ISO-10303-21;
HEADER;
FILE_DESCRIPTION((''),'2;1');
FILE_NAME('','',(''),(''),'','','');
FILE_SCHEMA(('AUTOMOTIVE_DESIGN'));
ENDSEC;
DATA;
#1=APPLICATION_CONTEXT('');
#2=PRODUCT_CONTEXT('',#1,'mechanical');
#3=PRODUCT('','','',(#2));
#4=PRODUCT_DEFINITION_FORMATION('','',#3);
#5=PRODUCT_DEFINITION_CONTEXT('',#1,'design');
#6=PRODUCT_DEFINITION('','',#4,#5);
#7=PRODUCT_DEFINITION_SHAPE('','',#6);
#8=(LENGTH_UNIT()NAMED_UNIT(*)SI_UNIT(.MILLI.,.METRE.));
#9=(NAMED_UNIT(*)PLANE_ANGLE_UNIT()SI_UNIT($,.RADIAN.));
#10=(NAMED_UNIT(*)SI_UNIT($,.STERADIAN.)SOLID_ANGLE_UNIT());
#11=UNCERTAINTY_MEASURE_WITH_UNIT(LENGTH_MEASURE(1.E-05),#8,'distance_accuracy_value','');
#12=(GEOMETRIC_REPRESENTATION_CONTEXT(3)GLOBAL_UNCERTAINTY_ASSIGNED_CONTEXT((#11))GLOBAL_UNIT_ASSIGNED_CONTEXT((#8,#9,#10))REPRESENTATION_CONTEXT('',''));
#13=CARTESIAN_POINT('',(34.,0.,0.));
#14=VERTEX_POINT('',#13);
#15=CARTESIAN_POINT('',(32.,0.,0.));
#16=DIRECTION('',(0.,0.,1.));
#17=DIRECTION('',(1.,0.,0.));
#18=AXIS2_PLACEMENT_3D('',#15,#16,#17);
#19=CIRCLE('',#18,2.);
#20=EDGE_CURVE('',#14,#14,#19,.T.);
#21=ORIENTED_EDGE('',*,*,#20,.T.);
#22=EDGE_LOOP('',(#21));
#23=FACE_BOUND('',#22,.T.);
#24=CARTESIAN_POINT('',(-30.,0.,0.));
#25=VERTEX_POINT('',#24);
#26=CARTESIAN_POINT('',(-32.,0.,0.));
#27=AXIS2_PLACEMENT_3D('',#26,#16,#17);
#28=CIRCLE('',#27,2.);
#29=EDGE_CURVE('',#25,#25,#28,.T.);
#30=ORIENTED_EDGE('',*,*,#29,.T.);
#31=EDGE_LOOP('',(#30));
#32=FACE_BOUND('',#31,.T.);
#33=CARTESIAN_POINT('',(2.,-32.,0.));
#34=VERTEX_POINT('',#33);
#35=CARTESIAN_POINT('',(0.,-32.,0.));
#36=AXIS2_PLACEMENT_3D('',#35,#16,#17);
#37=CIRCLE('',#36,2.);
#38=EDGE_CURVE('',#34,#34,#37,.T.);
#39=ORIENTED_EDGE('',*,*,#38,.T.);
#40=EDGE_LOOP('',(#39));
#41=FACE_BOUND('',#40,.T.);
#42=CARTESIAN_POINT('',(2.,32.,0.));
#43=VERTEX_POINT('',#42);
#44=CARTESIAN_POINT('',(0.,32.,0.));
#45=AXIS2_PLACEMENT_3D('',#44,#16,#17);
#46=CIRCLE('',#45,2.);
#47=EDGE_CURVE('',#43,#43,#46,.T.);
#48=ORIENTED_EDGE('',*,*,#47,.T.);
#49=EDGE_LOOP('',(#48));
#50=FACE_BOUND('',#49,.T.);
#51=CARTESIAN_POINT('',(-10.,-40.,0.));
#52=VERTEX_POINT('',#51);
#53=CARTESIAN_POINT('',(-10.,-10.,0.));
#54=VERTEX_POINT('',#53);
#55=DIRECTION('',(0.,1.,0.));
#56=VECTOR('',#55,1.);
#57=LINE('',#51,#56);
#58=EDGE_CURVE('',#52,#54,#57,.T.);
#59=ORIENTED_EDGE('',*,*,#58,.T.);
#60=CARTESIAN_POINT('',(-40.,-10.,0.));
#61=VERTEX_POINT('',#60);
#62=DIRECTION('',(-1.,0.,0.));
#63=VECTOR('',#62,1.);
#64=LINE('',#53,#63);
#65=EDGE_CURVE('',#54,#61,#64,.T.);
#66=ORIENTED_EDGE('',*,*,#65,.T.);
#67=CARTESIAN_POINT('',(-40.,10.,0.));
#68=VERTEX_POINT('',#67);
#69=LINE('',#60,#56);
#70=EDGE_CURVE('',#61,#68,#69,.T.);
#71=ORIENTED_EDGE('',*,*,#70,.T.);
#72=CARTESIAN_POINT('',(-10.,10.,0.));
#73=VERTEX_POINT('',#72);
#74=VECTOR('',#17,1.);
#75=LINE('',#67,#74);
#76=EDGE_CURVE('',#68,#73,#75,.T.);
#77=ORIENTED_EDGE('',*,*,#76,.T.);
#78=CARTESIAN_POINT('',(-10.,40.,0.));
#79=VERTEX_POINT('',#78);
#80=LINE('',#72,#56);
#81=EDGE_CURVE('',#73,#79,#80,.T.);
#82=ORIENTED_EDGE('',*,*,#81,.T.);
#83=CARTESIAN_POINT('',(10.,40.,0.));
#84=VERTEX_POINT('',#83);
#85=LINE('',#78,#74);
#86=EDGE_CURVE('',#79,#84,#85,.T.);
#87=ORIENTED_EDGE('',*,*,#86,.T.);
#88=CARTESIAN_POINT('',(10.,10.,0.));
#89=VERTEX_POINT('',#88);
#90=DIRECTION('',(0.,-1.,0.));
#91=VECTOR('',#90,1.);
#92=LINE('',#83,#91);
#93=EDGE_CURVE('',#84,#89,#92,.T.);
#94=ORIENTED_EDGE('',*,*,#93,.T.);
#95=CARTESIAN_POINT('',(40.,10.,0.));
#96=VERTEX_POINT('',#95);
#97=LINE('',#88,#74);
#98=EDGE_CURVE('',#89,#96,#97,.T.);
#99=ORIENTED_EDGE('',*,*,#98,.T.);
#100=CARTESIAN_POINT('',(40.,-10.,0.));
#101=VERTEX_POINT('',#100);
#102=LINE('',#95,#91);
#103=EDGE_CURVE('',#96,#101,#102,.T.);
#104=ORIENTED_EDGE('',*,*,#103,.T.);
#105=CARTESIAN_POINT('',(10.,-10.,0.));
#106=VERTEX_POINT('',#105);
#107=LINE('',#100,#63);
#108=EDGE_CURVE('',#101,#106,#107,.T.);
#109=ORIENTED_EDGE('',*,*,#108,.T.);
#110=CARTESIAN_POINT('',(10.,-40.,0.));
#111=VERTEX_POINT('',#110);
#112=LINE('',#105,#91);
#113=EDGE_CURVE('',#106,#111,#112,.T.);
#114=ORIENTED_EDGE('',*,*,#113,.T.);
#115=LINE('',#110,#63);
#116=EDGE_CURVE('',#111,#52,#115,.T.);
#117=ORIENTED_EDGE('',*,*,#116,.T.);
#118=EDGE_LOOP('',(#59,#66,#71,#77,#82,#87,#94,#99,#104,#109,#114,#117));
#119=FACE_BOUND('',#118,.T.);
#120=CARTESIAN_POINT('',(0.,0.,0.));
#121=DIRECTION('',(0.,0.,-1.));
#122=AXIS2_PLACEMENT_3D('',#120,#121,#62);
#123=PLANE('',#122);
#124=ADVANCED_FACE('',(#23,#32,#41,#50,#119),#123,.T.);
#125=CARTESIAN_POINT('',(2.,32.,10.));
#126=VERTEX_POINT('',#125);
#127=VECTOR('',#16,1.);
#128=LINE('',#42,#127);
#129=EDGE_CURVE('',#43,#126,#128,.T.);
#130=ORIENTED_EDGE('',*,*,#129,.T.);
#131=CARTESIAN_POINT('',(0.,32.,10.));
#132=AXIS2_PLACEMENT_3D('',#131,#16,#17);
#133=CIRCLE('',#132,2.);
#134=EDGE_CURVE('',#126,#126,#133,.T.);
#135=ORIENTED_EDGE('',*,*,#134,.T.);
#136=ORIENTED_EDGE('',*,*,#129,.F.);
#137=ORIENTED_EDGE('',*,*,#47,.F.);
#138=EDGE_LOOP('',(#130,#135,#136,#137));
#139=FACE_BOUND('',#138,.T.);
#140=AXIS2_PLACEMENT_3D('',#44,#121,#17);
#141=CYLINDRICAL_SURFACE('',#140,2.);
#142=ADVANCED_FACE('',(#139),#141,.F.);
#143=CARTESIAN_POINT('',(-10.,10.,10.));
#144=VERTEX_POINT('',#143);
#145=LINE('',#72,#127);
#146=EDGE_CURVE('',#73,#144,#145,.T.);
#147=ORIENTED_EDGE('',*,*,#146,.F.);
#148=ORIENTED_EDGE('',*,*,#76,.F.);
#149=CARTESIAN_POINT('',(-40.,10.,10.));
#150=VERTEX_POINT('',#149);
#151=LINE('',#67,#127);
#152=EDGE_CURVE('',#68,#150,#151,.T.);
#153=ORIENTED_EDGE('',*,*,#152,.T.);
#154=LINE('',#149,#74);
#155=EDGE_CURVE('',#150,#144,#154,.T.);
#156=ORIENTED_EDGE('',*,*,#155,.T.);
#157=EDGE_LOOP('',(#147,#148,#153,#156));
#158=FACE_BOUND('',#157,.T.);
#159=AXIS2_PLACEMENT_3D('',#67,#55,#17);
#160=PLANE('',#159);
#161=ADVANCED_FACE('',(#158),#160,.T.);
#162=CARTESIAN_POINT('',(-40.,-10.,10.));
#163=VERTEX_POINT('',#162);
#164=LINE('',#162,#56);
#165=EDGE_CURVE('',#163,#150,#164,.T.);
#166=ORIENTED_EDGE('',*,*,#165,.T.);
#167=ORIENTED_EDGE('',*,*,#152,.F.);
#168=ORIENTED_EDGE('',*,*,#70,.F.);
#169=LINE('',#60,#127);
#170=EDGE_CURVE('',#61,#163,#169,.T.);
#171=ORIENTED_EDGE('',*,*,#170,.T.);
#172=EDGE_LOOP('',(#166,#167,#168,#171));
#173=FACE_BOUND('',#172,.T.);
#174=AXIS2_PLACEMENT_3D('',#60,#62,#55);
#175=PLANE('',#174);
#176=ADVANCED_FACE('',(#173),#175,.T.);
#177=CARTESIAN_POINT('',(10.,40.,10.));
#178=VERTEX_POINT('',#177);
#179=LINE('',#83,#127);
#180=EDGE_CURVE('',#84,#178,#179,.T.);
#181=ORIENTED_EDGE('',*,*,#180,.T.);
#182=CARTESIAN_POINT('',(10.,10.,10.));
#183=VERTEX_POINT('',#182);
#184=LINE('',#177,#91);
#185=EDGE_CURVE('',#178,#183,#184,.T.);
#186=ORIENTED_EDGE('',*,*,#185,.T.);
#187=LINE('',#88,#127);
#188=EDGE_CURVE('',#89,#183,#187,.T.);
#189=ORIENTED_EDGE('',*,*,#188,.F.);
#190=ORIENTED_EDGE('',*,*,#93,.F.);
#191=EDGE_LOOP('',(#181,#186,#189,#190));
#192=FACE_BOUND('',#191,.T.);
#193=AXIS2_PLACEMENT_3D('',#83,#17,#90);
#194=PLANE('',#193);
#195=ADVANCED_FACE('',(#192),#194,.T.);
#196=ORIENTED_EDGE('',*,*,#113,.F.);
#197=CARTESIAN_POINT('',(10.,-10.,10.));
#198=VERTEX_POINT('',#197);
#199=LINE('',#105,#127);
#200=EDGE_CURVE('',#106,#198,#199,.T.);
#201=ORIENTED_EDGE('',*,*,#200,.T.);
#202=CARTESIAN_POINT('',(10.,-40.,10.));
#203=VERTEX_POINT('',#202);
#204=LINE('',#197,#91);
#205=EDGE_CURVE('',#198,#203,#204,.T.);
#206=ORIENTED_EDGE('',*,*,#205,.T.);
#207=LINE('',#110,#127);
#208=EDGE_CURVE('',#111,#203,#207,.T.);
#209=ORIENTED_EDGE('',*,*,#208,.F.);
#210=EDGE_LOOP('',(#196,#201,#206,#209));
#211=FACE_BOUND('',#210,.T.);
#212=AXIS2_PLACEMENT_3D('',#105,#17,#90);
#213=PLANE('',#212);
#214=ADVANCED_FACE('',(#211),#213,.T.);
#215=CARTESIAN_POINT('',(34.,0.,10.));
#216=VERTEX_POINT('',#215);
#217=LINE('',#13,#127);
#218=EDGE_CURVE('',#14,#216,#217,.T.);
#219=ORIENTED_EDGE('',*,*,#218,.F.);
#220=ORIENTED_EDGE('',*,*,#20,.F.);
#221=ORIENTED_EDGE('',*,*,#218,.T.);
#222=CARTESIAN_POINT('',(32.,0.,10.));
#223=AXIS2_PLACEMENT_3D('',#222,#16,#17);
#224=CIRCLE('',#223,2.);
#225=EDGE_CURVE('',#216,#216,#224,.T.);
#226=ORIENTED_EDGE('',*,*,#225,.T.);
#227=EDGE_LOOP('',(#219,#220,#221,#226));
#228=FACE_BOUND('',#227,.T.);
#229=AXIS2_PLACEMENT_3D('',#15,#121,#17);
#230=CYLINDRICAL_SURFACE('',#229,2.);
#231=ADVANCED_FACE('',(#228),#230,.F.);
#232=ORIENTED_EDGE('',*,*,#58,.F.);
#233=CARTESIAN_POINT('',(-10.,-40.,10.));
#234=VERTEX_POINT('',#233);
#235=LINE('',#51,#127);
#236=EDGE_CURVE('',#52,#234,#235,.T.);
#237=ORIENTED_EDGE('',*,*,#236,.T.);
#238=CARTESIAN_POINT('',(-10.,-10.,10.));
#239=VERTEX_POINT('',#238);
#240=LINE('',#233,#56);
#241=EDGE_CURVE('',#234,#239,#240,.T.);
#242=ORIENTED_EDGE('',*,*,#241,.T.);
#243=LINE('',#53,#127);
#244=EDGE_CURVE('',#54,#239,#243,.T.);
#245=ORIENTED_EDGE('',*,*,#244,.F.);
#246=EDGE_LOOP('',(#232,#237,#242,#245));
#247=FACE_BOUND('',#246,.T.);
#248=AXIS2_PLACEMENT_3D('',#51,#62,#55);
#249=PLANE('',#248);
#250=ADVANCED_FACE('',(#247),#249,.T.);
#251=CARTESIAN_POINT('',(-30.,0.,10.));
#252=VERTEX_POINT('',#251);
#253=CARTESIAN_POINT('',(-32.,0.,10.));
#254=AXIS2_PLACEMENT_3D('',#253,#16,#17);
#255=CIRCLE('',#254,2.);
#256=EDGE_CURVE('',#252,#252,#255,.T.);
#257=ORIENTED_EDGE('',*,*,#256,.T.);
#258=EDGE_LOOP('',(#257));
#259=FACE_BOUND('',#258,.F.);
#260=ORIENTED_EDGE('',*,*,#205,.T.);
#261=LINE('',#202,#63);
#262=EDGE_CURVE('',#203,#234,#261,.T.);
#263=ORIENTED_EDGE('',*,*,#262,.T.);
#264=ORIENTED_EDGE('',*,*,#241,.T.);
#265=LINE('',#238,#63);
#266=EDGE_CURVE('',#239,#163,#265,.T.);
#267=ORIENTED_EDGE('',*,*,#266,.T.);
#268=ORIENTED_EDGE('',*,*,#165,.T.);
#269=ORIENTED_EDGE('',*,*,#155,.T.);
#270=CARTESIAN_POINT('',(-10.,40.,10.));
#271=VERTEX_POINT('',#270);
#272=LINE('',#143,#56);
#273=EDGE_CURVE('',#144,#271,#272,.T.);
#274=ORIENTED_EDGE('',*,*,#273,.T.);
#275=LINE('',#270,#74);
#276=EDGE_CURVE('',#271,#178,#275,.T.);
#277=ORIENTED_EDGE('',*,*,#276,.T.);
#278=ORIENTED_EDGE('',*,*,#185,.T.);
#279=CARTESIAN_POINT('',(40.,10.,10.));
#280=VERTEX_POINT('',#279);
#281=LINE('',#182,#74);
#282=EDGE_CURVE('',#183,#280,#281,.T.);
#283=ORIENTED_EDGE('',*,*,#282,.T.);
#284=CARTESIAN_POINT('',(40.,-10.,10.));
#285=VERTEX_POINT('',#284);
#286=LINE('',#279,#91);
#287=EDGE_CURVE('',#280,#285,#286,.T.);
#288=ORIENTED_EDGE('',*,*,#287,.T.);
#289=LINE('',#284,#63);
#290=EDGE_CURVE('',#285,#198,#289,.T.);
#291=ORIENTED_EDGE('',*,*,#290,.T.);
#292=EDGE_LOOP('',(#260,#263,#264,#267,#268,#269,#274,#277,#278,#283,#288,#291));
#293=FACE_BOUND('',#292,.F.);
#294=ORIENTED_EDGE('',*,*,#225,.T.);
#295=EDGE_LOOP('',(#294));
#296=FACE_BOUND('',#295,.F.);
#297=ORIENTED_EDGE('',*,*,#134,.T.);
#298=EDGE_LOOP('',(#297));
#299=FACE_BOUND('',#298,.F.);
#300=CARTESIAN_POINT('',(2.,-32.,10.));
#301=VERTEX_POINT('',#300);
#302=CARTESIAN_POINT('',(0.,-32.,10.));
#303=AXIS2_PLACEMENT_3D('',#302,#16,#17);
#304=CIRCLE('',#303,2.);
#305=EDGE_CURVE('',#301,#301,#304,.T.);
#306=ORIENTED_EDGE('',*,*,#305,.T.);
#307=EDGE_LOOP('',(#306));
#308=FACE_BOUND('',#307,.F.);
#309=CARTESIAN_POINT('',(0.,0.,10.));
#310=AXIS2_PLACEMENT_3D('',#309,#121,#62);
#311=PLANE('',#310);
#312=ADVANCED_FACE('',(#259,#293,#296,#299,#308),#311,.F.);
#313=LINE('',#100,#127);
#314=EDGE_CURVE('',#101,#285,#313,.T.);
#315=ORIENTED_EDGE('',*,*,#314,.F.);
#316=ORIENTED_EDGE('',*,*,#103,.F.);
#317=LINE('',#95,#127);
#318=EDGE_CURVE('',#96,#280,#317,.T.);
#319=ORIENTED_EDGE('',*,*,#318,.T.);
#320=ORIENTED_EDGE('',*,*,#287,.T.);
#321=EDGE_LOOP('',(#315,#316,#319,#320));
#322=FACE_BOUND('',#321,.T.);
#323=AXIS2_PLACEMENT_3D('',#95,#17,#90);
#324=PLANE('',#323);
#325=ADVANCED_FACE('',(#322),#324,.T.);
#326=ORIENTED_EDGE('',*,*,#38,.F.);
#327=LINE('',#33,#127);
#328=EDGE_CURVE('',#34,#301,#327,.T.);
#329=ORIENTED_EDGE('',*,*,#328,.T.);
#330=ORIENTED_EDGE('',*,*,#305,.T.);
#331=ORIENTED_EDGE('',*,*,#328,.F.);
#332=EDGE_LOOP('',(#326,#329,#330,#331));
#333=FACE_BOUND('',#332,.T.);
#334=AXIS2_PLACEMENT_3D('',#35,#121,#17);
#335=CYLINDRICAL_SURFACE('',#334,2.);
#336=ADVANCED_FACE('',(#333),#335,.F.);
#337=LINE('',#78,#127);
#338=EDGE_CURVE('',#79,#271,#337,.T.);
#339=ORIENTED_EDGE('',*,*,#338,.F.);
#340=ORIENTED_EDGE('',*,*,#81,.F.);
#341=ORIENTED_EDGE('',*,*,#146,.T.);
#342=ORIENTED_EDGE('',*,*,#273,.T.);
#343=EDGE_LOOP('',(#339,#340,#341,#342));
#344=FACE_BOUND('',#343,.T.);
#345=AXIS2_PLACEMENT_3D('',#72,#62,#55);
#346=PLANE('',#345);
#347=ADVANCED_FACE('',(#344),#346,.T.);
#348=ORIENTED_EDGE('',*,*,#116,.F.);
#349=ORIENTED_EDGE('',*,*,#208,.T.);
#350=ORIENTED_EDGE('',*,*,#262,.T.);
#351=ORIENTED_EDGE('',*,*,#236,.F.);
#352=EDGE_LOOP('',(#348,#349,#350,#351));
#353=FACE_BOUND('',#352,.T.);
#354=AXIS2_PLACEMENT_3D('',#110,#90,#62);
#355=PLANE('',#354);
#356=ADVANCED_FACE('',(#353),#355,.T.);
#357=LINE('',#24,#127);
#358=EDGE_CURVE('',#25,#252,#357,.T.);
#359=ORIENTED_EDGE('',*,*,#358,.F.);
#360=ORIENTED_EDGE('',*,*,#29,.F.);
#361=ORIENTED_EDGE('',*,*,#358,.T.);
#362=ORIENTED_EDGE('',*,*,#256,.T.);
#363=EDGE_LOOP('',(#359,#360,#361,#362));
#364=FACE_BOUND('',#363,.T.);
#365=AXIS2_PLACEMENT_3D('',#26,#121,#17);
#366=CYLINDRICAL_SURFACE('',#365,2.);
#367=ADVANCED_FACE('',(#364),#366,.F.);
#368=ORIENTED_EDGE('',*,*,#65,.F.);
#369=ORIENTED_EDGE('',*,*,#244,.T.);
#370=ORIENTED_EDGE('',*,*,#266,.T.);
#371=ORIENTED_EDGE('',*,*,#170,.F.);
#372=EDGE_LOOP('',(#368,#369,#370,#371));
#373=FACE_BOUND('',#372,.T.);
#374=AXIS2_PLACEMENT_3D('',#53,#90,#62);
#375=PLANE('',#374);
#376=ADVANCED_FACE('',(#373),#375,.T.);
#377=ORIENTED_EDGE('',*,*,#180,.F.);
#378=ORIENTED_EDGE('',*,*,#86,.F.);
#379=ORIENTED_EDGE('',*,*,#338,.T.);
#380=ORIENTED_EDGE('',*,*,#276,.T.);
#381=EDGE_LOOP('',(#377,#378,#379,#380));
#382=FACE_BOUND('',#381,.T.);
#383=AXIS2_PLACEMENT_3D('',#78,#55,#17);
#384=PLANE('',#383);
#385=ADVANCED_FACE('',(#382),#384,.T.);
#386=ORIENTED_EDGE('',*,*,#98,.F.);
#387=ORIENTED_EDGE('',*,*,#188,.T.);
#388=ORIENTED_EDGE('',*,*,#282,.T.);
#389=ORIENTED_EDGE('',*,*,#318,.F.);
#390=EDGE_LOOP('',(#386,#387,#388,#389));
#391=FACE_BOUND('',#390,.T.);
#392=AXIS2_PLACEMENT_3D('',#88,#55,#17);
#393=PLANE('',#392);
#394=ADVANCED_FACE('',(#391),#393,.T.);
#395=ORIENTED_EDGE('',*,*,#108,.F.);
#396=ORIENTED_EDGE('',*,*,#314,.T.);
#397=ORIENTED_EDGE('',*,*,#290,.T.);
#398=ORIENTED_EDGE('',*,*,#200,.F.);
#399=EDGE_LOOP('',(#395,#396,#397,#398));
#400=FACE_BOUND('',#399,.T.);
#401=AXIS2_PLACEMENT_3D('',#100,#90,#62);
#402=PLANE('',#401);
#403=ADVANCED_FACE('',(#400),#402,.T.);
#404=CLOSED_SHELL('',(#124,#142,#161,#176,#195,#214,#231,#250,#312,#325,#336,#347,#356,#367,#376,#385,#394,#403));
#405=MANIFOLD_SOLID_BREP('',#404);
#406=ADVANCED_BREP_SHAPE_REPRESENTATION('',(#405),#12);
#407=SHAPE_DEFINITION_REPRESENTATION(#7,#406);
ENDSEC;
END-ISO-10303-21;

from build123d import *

# Parameters (mm, degrees)
SKETCH_R  = 2
PAD_DEPTH = 10


with BuildPart() as part:
    # Sketch → Pad (new body)
    with BuildSketch(Plane.XY):
        Polygon((-10, 40), (10, 40), (10, 10), (40, 10), (40, -10), (10, -10), (10, -40), (-10, -40), (-10, -10), (-40, -10), (-40, 10), (-10, 10), align=None)
        with Locations((0, 32)):
            Circle(SKETCH_R, mode=Mode.SUBTRACT)
        with Locations((32, 0)):
            Circle(SKETCH_R, mode=Mode.SUBTRACT)
        with Locations((0, -32)):
            Circle(SKETCH_R, mode=Mode.SUBTRACT)
        with Locations((-32, 0)):
            Circle(SKETCH_R, mode=Mode.SUBTRACT)
    extrude(amount=PAD_DEPTH)


solid = part.part
